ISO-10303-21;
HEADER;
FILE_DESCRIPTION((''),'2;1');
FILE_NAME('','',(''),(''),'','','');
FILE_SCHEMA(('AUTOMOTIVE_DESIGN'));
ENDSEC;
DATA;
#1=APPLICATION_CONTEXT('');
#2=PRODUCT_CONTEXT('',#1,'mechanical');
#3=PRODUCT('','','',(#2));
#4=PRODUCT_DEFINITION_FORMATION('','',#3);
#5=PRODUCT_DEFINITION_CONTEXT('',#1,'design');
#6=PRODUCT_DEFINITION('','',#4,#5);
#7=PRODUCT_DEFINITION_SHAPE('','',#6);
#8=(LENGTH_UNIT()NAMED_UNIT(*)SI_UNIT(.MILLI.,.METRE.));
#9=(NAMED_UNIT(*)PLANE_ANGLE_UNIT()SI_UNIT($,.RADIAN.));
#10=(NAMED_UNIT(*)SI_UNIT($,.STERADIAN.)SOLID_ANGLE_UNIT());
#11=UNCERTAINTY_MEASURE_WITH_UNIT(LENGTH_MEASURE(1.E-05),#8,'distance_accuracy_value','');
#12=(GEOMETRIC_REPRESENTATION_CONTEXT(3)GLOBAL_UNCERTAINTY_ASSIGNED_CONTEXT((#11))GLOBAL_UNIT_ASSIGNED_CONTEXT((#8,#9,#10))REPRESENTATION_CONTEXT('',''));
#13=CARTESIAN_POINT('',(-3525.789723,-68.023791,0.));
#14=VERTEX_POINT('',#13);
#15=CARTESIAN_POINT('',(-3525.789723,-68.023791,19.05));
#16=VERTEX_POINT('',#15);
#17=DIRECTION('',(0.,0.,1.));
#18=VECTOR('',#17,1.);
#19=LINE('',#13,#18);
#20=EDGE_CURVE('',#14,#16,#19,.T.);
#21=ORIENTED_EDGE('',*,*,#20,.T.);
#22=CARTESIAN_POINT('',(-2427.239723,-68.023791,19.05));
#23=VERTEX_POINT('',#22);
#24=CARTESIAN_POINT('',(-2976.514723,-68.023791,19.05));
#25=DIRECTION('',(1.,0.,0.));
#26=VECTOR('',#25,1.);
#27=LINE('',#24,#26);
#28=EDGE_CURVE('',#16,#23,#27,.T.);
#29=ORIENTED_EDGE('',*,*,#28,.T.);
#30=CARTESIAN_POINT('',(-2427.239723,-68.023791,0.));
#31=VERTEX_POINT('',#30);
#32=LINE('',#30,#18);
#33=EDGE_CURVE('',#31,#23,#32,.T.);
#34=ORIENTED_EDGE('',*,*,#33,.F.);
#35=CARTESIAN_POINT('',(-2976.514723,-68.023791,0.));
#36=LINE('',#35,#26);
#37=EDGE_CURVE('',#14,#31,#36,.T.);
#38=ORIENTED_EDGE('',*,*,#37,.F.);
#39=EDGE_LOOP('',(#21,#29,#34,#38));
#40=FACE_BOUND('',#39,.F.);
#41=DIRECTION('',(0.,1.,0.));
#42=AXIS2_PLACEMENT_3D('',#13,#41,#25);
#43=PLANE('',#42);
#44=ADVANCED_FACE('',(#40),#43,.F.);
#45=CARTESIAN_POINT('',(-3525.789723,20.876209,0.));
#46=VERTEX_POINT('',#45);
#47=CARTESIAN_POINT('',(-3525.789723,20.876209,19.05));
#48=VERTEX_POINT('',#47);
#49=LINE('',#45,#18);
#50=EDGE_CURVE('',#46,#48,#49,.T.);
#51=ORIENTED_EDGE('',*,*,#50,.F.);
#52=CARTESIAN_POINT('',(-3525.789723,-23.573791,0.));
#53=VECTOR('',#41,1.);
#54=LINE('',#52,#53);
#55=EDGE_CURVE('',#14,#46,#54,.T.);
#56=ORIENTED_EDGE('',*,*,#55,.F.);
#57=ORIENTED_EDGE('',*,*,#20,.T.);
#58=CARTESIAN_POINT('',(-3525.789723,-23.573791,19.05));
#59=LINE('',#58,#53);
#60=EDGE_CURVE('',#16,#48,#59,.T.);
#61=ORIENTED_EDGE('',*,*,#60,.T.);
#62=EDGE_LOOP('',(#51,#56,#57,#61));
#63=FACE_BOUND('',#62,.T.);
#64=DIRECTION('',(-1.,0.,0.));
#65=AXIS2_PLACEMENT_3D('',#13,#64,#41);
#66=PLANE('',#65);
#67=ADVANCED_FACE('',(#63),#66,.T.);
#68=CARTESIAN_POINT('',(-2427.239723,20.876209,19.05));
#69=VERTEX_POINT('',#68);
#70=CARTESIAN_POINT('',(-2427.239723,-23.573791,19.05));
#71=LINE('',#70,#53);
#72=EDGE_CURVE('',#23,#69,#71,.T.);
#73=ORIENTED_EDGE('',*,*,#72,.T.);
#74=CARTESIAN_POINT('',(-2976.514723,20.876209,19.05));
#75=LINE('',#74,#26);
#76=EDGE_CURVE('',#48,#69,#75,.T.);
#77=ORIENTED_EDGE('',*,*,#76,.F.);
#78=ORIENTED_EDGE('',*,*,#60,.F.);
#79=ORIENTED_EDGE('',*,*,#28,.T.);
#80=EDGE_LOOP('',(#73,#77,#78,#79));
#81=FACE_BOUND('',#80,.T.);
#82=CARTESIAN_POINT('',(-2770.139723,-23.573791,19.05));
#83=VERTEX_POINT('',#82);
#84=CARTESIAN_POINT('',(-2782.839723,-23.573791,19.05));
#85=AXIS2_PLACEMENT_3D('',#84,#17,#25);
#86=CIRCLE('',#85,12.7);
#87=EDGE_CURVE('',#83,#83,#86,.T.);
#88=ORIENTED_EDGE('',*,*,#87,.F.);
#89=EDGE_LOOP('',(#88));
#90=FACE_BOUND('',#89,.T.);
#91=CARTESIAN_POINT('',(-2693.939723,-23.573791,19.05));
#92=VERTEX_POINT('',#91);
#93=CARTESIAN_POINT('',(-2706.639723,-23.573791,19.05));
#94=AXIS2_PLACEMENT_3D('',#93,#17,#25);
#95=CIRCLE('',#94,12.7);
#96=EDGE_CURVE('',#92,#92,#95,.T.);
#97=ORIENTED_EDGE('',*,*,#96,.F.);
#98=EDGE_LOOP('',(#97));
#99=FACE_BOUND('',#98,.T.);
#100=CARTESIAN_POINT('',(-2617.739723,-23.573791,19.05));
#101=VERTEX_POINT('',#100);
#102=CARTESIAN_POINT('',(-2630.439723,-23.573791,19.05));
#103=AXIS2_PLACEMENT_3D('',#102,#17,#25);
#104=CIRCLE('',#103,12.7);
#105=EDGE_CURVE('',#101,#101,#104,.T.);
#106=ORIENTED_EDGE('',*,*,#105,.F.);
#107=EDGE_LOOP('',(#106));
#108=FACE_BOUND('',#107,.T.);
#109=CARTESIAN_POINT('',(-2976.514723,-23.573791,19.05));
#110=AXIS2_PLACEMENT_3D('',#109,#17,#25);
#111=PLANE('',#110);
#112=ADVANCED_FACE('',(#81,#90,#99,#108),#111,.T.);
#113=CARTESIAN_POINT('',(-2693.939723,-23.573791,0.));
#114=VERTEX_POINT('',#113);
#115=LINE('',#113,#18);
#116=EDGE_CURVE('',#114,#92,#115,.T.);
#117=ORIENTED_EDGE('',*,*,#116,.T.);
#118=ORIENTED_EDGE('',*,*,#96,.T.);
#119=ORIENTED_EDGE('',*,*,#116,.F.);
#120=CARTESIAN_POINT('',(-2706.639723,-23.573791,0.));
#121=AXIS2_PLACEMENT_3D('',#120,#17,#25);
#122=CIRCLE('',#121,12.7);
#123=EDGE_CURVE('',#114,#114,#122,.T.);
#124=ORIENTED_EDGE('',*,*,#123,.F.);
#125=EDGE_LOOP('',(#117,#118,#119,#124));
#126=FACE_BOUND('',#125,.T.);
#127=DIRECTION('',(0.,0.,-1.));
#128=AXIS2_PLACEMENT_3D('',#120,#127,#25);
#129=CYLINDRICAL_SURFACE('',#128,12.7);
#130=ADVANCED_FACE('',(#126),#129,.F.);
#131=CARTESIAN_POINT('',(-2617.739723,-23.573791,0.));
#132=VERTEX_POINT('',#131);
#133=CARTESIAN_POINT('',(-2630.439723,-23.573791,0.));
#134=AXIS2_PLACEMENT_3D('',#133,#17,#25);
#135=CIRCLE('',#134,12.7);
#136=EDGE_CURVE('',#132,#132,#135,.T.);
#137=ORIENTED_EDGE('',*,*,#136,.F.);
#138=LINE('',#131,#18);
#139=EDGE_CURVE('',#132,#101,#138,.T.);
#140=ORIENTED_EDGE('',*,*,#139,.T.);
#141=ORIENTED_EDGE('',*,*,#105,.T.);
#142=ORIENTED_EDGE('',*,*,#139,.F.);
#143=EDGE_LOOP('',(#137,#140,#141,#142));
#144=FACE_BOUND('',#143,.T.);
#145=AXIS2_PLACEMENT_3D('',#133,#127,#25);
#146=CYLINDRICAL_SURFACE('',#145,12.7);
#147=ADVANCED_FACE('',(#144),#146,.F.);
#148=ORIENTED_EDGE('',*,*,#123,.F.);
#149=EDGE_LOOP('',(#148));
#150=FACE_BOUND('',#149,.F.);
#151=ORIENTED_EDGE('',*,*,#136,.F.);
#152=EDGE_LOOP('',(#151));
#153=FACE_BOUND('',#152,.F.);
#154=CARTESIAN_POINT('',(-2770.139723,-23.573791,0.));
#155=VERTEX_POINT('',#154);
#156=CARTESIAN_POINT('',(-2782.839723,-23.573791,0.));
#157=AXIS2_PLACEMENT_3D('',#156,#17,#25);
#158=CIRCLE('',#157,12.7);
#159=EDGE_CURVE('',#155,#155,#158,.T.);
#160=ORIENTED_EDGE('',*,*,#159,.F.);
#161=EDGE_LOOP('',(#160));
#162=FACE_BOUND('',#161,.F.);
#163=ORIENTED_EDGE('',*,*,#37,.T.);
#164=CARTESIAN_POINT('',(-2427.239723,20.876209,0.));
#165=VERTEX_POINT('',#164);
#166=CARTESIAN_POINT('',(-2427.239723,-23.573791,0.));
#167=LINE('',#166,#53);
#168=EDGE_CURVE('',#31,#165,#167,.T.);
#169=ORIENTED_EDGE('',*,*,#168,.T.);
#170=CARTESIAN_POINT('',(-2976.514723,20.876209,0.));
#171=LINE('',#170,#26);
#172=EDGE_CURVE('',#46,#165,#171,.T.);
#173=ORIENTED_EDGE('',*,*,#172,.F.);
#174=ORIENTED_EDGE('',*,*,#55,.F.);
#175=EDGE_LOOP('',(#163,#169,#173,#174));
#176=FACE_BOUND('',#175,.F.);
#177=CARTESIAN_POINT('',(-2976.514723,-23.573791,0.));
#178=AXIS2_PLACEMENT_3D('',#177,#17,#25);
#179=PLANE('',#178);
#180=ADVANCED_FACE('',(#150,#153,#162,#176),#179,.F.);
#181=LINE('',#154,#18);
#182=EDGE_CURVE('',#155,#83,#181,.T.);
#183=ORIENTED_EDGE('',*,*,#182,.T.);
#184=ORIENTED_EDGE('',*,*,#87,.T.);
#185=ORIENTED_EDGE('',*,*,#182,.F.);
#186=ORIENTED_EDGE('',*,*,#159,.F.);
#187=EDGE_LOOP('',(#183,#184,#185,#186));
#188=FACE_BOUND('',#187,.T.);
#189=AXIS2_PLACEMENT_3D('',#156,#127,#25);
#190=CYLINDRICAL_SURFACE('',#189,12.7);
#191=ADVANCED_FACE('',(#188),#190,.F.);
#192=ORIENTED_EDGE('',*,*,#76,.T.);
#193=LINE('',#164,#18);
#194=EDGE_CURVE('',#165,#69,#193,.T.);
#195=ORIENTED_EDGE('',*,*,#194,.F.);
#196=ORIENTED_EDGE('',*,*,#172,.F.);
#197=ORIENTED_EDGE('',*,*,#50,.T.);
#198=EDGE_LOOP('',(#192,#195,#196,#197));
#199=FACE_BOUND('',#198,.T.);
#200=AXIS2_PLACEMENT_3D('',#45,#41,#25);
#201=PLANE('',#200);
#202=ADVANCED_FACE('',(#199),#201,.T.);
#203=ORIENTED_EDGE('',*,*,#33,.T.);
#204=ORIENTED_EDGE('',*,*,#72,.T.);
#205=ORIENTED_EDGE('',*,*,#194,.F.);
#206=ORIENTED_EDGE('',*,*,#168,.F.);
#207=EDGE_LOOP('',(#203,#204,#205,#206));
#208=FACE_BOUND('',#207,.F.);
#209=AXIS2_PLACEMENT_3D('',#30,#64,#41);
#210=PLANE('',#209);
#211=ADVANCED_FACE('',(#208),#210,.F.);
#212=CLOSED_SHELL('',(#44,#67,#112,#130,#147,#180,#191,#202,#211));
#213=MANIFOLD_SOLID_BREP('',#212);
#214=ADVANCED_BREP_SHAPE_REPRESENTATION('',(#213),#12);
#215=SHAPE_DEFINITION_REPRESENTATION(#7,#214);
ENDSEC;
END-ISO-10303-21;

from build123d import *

# Parameters (mm, degrees)
F0_W     = 1098.55
F0_H     = 88.9
F0_R     = 12.7
F1_DEPTH = 19.05


with BuildPart() as f1:
    # F0 (on Top) → F1 (new body)
    with BuildSketch(Plane.XY):
        with Locations((-2976.514723, -23.573791)):
            Rectangle(F0_W, F0_H)
        with Locations((-2782.839723, -23.573791)):
            Circle(F0_R, mode=Mode.SUBTRACT)
        with Locations((-2706.639723, -23.573791)):
            Circle(F0_R, mode=Mode.SUBTRACT)
        with Locations((-2630.439723, -23.573791)):
            Circle(F0_R, mode=Mode.SUBTRACT)
    extrude(amount=F1_DEPTH)


solid = f1.part
